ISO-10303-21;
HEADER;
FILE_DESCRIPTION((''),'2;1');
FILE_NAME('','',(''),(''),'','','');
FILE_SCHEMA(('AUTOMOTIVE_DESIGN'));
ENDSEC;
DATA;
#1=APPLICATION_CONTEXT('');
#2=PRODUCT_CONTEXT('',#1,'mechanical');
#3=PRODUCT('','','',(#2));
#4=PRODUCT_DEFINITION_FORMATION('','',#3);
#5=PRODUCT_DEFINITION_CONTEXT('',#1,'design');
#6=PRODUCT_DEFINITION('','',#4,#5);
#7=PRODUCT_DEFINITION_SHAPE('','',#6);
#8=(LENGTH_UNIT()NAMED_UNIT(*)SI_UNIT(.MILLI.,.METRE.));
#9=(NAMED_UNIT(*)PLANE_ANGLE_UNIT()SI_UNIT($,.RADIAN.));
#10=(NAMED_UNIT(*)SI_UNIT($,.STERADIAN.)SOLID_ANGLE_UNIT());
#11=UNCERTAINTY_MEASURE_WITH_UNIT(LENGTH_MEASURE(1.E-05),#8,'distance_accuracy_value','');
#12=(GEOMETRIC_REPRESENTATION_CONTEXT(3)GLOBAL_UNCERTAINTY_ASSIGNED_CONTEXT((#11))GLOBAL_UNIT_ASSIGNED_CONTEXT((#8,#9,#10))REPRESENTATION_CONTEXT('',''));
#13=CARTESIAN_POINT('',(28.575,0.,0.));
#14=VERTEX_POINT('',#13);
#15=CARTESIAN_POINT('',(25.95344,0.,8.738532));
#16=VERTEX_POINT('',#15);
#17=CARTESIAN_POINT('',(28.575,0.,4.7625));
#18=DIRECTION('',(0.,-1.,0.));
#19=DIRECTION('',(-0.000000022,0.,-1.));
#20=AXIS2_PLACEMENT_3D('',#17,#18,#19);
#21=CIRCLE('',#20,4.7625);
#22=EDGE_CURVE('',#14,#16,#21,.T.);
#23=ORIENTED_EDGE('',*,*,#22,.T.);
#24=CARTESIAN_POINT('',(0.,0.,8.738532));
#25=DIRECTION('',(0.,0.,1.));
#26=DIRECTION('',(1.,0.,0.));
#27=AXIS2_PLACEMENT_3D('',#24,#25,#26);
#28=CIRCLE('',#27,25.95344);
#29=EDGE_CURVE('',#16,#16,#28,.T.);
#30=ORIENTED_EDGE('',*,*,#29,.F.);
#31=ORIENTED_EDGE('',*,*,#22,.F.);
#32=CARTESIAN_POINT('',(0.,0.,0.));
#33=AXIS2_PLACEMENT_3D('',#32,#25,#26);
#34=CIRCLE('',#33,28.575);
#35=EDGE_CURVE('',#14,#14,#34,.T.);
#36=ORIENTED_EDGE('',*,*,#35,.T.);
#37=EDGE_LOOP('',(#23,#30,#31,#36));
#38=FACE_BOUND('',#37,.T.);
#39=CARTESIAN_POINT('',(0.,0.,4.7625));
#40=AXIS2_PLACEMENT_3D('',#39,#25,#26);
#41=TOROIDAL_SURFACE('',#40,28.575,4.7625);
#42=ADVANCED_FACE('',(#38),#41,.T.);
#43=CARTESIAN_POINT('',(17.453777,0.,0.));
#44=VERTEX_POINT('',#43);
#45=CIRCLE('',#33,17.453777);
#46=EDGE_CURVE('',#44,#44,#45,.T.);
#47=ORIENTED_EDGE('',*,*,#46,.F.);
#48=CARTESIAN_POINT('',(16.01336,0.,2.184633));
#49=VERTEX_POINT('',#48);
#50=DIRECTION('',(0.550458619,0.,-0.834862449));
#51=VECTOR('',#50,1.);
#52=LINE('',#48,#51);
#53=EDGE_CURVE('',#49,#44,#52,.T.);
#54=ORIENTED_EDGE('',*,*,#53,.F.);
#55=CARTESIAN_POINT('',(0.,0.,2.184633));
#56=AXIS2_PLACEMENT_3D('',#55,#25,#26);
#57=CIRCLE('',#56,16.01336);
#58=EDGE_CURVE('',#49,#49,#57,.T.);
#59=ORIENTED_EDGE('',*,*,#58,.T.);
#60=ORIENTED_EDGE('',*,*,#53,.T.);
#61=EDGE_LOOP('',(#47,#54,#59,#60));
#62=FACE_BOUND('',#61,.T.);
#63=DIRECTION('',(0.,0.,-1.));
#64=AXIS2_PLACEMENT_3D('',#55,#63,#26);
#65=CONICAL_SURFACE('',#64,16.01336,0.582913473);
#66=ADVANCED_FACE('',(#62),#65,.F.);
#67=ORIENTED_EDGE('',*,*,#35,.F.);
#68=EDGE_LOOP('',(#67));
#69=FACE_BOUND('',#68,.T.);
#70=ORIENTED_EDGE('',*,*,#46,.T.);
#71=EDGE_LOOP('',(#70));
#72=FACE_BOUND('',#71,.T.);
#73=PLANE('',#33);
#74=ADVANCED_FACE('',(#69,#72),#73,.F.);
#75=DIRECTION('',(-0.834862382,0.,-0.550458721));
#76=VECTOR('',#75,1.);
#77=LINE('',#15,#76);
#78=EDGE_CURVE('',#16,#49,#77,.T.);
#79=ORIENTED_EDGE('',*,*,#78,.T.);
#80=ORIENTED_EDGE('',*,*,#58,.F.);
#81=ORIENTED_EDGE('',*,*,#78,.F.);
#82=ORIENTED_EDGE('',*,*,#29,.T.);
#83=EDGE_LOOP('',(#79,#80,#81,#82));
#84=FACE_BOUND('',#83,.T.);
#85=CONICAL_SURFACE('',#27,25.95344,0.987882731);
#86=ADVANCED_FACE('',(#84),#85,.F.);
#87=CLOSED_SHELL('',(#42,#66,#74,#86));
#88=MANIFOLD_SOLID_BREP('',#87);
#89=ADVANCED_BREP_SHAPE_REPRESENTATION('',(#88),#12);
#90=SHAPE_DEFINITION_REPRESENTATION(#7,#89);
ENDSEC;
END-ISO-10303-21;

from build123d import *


with BuildPart() as f1:
    # F0 (on Front) → F1 (revolve)
    with BuildSketch(Plane.XZ):
        with BuildLine():
            Line((17.453777, 0), (28.575, 0))
            ThreePointArc((28.575, 0), (33.136648, 6.130994), (25.95344, 8.738532))
            Line((25.95344, 8.738532), (16.01336, 2.184633))
            Line((16.01336, 2.184633), (17.453777, 0))
        make_face()
    revolve(axis=Axis((0, 0, 4.678251), (0, 0, 1)))


solid = f1.part
